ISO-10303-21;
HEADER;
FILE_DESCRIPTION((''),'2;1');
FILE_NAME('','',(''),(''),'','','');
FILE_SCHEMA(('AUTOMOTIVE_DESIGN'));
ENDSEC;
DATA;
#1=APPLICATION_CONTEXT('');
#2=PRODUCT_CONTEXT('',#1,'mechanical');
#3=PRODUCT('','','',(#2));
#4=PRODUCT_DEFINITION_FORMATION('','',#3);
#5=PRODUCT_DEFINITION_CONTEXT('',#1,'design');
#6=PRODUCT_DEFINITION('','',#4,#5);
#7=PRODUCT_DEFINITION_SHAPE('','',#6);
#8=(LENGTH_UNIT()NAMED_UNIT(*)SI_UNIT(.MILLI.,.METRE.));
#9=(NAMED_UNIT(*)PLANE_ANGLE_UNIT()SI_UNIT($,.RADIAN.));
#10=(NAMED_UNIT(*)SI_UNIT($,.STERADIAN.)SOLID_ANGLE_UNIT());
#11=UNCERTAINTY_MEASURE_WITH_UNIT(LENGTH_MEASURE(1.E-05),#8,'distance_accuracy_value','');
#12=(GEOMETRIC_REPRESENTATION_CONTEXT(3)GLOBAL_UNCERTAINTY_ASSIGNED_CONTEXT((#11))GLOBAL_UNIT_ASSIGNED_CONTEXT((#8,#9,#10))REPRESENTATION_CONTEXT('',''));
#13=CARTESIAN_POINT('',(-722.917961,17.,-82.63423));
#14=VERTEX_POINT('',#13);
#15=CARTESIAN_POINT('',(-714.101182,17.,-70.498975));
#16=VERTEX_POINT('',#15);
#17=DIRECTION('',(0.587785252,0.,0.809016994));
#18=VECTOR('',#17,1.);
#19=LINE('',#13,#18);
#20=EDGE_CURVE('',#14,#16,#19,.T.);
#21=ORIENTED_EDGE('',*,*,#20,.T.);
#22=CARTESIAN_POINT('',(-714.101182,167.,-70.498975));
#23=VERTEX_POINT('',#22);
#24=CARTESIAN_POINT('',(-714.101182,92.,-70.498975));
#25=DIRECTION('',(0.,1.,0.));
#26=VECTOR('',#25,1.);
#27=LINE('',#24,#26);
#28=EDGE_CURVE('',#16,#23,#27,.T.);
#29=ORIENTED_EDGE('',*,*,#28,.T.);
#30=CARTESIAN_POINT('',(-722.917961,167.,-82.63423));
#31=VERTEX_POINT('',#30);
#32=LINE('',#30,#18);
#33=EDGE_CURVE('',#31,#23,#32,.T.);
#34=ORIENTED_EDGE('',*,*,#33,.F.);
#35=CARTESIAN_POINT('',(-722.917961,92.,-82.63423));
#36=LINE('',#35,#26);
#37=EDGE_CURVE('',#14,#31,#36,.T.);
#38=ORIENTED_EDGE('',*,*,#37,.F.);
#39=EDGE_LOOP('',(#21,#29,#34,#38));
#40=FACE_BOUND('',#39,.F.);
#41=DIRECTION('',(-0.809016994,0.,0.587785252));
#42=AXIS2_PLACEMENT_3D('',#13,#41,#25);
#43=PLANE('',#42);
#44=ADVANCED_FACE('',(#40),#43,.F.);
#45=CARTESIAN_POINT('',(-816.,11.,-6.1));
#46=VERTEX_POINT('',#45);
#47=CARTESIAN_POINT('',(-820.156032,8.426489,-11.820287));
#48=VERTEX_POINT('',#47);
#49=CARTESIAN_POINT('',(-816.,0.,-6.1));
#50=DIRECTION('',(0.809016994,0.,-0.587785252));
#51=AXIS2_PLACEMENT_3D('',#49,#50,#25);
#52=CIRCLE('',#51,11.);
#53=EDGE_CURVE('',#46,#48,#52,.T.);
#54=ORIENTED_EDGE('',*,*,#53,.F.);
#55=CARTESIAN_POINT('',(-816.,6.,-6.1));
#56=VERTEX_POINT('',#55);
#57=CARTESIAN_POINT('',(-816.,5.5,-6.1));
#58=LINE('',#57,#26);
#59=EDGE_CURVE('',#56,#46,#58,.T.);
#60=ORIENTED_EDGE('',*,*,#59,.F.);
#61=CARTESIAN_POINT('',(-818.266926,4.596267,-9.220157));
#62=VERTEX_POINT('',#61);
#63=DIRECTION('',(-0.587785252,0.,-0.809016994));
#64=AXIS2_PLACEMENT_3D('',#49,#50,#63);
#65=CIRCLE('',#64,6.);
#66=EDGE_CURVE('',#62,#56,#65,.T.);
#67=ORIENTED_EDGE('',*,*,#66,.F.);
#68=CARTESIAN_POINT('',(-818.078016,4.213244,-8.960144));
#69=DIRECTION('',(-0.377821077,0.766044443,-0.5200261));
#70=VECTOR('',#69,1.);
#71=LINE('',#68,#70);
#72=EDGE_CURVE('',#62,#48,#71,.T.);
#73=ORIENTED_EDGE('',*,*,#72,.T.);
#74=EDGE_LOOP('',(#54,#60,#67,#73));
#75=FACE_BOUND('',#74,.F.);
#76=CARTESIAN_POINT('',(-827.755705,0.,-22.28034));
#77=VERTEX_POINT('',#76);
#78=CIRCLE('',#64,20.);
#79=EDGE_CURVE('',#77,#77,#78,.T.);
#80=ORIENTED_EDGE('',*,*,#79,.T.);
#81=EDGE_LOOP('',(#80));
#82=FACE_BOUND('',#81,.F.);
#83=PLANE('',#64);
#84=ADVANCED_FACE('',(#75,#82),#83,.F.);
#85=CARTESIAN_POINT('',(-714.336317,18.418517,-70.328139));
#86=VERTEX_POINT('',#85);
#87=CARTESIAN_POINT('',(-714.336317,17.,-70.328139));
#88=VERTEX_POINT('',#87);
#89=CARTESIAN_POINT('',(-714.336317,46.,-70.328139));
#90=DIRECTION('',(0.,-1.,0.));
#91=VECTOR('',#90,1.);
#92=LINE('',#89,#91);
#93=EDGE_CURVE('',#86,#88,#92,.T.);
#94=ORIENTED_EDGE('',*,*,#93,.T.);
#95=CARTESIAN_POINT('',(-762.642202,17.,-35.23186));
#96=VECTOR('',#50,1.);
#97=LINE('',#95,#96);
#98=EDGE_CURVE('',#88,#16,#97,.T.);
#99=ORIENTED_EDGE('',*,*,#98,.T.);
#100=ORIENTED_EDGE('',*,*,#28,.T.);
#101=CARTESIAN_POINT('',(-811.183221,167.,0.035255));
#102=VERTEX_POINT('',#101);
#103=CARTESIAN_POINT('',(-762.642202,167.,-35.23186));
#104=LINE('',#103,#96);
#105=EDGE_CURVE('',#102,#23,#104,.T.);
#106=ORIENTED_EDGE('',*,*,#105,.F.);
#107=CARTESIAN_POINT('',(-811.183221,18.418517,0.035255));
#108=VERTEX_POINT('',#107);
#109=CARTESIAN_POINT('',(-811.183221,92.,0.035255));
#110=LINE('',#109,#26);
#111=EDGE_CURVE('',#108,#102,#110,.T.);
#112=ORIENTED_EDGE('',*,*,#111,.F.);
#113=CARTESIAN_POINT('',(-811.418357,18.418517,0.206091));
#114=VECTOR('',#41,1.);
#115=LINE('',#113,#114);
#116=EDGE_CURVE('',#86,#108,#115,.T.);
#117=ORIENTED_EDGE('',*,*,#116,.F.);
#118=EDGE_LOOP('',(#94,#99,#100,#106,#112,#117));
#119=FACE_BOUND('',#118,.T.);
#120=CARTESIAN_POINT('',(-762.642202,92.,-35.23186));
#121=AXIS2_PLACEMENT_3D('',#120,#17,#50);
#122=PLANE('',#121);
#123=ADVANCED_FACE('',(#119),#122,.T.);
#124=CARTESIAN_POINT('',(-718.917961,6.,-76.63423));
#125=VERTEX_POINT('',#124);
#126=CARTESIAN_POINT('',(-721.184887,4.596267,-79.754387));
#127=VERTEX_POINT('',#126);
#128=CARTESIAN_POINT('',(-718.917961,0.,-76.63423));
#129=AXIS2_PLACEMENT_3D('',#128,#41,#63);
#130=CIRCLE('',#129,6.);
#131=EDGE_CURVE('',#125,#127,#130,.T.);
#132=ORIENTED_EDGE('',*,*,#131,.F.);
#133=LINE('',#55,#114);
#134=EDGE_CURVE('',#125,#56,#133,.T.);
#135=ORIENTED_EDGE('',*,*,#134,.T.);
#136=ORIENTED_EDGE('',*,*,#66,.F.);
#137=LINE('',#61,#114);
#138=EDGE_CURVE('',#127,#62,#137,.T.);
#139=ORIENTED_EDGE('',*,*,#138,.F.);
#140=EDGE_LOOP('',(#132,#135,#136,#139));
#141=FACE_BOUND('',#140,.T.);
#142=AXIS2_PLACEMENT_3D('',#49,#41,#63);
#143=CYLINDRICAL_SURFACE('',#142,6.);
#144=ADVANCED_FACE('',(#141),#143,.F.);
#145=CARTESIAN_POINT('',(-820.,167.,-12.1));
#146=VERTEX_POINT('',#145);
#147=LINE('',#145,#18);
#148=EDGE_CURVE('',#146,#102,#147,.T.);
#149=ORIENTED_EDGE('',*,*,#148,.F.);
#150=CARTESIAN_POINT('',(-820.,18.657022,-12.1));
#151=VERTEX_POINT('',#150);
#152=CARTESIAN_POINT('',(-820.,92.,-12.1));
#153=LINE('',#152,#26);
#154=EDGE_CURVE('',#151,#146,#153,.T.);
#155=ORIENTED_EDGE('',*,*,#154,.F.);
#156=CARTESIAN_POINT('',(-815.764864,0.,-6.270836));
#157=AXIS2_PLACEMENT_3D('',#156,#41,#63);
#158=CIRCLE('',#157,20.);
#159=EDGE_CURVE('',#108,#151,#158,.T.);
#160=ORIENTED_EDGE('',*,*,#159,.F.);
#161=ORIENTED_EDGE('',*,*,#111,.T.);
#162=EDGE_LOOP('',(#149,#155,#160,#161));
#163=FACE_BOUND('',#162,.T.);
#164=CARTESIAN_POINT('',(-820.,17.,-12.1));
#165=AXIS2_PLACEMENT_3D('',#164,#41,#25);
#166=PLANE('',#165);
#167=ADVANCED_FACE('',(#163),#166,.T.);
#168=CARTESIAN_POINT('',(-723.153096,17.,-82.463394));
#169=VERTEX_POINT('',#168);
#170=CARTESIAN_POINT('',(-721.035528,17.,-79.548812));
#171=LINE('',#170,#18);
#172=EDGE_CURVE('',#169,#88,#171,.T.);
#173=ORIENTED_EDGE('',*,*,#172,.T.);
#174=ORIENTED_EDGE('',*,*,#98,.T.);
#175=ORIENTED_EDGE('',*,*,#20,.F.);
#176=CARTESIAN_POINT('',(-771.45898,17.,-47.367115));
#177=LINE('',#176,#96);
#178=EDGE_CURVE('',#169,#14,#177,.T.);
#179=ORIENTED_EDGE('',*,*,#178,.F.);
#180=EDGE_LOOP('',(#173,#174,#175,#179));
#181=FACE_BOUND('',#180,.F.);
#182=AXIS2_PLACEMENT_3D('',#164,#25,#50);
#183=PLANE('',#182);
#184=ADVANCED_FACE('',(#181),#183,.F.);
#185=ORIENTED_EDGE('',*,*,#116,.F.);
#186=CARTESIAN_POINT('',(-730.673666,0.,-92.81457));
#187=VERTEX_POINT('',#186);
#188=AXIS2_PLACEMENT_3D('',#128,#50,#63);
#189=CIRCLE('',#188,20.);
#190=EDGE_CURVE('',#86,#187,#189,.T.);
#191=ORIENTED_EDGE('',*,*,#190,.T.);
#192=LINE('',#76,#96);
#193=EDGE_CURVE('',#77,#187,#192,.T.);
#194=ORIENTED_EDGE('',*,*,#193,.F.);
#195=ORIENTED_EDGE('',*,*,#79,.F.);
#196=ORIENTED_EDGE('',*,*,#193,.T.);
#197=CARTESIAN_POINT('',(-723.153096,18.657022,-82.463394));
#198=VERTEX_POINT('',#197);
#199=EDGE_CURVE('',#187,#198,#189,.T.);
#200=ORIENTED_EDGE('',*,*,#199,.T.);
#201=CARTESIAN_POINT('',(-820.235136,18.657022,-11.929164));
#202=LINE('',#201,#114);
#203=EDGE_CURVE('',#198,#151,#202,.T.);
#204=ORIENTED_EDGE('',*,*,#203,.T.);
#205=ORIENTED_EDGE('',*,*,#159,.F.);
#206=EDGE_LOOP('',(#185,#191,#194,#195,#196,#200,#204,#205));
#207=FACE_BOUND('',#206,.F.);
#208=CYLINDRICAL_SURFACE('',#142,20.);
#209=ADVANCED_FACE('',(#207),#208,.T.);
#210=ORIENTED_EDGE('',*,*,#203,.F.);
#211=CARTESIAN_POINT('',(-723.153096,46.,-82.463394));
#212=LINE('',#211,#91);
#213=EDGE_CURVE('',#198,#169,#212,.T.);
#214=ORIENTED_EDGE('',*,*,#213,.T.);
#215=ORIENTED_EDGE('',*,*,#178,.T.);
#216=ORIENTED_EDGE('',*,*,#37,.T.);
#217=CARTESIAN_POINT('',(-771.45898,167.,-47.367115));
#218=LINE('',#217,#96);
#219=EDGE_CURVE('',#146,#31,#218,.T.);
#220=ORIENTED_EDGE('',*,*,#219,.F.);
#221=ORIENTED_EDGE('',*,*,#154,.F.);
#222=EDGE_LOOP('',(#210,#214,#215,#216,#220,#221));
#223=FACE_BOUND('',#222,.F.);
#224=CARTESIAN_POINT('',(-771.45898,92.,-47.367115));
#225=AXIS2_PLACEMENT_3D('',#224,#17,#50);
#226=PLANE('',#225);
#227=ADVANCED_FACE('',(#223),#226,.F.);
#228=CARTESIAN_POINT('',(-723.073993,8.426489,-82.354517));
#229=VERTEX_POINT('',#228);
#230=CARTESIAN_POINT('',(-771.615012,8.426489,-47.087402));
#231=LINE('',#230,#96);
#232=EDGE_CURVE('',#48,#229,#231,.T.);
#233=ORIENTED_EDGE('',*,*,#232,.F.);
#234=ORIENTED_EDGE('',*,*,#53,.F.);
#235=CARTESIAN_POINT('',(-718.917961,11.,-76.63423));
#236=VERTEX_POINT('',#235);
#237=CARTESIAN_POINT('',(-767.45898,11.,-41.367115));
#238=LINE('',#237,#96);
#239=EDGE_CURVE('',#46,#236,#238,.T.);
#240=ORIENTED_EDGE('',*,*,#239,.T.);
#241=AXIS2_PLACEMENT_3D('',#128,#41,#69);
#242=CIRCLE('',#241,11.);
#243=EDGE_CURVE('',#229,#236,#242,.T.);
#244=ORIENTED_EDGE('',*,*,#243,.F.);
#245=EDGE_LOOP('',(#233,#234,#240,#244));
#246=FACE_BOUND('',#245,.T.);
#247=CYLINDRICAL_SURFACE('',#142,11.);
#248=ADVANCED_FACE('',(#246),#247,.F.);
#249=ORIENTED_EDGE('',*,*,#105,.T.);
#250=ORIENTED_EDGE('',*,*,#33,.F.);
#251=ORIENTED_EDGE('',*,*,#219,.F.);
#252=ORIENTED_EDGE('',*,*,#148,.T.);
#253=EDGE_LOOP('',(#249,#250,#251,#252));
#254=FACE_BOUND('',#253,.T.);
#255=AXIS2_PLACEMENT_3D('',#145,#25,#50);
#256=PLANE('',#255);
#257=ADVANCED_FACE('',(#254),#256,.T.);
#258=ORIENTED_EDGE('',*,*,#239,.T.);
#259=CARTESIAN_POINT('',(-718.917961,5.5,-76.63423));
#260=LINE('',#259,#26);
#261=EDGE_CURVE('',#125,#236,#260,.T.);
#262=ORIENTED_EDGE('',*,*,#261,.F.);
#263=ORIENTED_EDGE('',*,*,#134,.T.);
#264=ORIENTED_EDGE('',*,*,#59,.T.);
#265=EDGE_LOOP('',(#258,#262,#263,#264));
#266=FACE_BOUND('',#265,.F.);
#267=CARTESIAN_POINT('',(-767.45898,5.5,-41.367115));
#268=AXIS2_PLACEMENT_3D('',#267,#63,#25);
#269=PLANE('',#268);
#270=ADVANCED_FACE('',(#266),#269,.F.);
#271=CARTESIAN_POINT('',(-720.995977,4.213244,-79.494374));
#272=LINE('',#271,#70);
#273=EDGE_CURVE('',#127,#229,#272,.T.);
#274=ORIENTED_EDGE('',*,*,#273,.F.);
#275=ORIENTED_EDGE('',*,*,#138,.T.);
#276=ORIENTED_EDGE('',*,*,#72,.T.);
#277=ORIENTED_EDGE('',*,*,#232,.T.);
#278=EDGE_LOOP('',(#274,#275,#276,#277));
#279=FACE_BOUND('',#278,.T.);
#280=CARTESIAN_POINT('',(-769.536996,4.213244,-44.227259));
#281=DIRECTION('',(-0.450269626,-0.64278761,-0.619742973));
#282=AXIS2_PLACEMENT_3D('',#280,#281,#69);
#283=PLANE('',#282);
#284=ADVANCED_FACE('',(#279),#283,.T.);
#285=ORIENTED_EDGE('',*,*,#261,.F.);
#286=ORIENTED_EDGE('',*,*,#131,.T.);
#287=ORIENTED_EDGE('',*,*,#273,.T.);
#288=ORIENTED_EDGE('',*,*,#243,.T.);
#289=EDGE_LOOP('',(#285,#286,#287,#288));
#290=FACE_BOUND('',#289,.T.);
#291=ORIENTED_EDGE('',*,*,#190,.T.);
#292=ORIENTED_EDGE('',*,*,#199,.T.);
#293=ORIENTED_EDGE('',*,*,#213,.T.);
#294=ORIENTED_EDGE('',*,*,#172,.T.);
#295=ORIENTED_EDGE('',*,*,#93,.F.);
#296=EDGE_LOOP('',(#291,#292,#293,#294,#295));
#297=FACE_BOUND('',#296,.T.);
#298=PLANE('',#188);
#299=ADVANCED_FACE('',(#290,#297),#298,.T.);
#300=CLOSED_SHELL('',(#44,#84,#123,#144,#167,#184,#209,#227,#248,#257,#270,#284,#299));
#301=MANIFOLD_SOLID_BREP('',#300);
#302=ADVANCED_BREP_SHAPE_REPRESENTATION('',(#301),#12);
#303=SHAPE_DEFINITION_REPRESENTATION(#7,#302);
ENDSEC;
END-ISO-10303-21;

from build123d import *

# Parameters (mm, degrees)
BOX130_W                    = 120
BOX130_H                    = 150
BOX130_DEPTH                = 15
BOX130_PITCH_ANGLE          = 36
CYLINDER281_R               = 5
CYLINDER281_DEPTH           = 130
CYLINDER281_PLACEMENT_ANGLE = 126
CYLINDER280_W               = 11
CYLINDER280_H               = 120
CYLINDER280_ANGLE           = 50
CYLINDER280_PLACEMENT_ANGLE = 126
CYLINDER283_R               = 6
CYLINDER283_DEPTH           = 130
CYLINDER283_PLACEMENT_ANGLE = 126
CYLINDER282_W               = 11
CYLINDER282_H               = 120
CYLINDER282_ANGLE           = 90
CYLINDER282_PLACEMENT_ANGLE = 126
CYLINDER279_R               = 11
CYLINDER279_DEPTH           = 120
CYLINDER279_PLACEMENT_ANGLE = 126
CYLINDER278_R               = 20
CYLINDER278_DEPTH           = 120
CYLINDER278_PLACEMENT_ANGLE = 126


with BuildPart() as cubo093:
    # Box130 → Box130 (new body)
    with BuildSketch(Plane.XY):
        with Locations((60, 75)):
            Rectangle(BOX130_W, BOX130_H)
    extrude(amount=BOX130_DEPTH)


with BuildPart() as cubo093_1:
    # Box130 pitch: moved
    add(cubo093.part.rotate(Axis((0, 0, 0), (0, 1, 0)), BOX130_PITCH_ANGLE))


with BuildPart() as cubo093_2:
    # Box130 placement: moved
    add(cubo093_1.part.moved(Location((-296, 17, 92.9))))


with BuildPart() as cilindro168:
    # Cylinder281 → Cylinder281 (new body)
    with BuildSketch(Plane.XY):
        Circle(CYLINDER281_R)
    extrude(amount=CYLINDER281_DEPTH)


with BuildPart() as cilindro168_1:
    # Cylinder281 placement: moved
    add(cilindro168.part.moved(Location((-292, 0, 98.9))).rotate(Axis((-292, 0, 98.9), (0, 1, 0)), CYLINDER281_PLACEMENT_ANGLE))


with BuildPart() as cut298:
    # Cylinder280 → Cylinder280 (revolve)
    with BuildSketch(Plane.XZ):
        with Locations((5.5, 60)):
            Rectangle(CYLINDER280_W, CYLINDER280_H)
    revolve(axis=Axis((0, 0, 0), (0, 0, 1)), revolution_arc=CYLINDER280_ANGLE)


with BuildPart() as cut298_1:
    # Cylinder280 placement: moved
    add(cut298.part.moved(Location((-292, 0, 98.9))).rotate(Axis((-292, 0, 98.9), (0, 1, 0)), CYLINDER280_PLACEMENT_ANGLE))

    # Cut298: cut Cilindro168
    add(cilindro168_1.part, mode=Mode.SUBTRACT)


with BuildPart() as cilindro170:
    # Cylinder283 → Cylinder283 (new body)
    with BuildSketch(Plane.XY):
        Circle(CYLINDER283_R)
    extrude(amount=CYLINDER283_DEPTH)


with BuildPart() as cilindro170_1:
    # Cylinder283 placement: moved
    add(cilindro170.part.moved(Location((-292, 0, 98.9))).rotate(Axis((-292, 0, 98.9), (0, 1, 0)), CYLINDER283_PLACEMENT_ANGLE))


with BuildPart() as cut300:
    # Cylinder282 → Cylinder282 (revolve)
    with BuildSketch(Plane.XZ):
        with Locations((5.5, 60)):
            Rectangle(CYLINDER282_W, CYLINDER282_H)
    revolve(axis=Axis((0, 0, 0), (0, 0, 1)), revolution_arc=CYLINDER282_ANGLE)


with BuildPart() as cut300_1:
    # Cylinder282 placement: moved
    add(cut300.part.moved(Location((-292, 0, 98.9))).rotate(Axis((-292, 0, 98.9), (0, 1, 0)), CYLINDER282_PLACEMENT_ANGLE))

    # Cut299: cut Cilindro170
    add(cilindro170_1.part, mode=Mode.SUBTRACT)

    # Cut300: cut Cut298
    add(cut298_1.part, mode=Mode.SUBTRACT)


with BuildPart() as cilindro166:
    # Cylinder279 → Cylinder279 (new body)
    with BuildSketch(Plane.XY):
        Circle(CYLINDER279_R)
    extrude(amount=CYLINDER279_DEPTH)


with BuildPart() as cilindro166_1:
    # Cylinder279 placement: moved
    add(cilindro166.part.moved(Location((-292, 0, 98.9))).rotate(Axis((-292, 0, 98.9), (0, 1, 0)), CYLINDER279_PLACEMENT_ANGLE))


with BuildPart() as fusion079:
    # Cylinder278 → Cylinder278 (new body)
    with BuildSketch(Plane.XY):
        Circle(CYLINDER278_R)
    extrude(amount=CYLINDER278_DEPTH)


with BuildPart() as fusion079_1:
    # Cylinder278 placement: moved
    add(fusion079.part.moved(Location((-292, 0, 98.9))).rotate(Axis((-292, 0, 98.9), (0, 1, 0)), CYLINDER278_PLACEMENT_ANGLE))

    # Cut297: cut Cilindro166
    add(cilindro166_1.part, mode=Mode.SUBTRACT)

    # Fusion078: union Cut300
    add(cut300_1.part)

    # Fusion079: union Cubo093
    add(cubo093_2.part)


with BuildPart() as fusion079_2:
    # Fusion079 placement: moved
    add(fusion079_1.part.moved(Location((-524, 0, -105))))


solid = fusion079_2.part
